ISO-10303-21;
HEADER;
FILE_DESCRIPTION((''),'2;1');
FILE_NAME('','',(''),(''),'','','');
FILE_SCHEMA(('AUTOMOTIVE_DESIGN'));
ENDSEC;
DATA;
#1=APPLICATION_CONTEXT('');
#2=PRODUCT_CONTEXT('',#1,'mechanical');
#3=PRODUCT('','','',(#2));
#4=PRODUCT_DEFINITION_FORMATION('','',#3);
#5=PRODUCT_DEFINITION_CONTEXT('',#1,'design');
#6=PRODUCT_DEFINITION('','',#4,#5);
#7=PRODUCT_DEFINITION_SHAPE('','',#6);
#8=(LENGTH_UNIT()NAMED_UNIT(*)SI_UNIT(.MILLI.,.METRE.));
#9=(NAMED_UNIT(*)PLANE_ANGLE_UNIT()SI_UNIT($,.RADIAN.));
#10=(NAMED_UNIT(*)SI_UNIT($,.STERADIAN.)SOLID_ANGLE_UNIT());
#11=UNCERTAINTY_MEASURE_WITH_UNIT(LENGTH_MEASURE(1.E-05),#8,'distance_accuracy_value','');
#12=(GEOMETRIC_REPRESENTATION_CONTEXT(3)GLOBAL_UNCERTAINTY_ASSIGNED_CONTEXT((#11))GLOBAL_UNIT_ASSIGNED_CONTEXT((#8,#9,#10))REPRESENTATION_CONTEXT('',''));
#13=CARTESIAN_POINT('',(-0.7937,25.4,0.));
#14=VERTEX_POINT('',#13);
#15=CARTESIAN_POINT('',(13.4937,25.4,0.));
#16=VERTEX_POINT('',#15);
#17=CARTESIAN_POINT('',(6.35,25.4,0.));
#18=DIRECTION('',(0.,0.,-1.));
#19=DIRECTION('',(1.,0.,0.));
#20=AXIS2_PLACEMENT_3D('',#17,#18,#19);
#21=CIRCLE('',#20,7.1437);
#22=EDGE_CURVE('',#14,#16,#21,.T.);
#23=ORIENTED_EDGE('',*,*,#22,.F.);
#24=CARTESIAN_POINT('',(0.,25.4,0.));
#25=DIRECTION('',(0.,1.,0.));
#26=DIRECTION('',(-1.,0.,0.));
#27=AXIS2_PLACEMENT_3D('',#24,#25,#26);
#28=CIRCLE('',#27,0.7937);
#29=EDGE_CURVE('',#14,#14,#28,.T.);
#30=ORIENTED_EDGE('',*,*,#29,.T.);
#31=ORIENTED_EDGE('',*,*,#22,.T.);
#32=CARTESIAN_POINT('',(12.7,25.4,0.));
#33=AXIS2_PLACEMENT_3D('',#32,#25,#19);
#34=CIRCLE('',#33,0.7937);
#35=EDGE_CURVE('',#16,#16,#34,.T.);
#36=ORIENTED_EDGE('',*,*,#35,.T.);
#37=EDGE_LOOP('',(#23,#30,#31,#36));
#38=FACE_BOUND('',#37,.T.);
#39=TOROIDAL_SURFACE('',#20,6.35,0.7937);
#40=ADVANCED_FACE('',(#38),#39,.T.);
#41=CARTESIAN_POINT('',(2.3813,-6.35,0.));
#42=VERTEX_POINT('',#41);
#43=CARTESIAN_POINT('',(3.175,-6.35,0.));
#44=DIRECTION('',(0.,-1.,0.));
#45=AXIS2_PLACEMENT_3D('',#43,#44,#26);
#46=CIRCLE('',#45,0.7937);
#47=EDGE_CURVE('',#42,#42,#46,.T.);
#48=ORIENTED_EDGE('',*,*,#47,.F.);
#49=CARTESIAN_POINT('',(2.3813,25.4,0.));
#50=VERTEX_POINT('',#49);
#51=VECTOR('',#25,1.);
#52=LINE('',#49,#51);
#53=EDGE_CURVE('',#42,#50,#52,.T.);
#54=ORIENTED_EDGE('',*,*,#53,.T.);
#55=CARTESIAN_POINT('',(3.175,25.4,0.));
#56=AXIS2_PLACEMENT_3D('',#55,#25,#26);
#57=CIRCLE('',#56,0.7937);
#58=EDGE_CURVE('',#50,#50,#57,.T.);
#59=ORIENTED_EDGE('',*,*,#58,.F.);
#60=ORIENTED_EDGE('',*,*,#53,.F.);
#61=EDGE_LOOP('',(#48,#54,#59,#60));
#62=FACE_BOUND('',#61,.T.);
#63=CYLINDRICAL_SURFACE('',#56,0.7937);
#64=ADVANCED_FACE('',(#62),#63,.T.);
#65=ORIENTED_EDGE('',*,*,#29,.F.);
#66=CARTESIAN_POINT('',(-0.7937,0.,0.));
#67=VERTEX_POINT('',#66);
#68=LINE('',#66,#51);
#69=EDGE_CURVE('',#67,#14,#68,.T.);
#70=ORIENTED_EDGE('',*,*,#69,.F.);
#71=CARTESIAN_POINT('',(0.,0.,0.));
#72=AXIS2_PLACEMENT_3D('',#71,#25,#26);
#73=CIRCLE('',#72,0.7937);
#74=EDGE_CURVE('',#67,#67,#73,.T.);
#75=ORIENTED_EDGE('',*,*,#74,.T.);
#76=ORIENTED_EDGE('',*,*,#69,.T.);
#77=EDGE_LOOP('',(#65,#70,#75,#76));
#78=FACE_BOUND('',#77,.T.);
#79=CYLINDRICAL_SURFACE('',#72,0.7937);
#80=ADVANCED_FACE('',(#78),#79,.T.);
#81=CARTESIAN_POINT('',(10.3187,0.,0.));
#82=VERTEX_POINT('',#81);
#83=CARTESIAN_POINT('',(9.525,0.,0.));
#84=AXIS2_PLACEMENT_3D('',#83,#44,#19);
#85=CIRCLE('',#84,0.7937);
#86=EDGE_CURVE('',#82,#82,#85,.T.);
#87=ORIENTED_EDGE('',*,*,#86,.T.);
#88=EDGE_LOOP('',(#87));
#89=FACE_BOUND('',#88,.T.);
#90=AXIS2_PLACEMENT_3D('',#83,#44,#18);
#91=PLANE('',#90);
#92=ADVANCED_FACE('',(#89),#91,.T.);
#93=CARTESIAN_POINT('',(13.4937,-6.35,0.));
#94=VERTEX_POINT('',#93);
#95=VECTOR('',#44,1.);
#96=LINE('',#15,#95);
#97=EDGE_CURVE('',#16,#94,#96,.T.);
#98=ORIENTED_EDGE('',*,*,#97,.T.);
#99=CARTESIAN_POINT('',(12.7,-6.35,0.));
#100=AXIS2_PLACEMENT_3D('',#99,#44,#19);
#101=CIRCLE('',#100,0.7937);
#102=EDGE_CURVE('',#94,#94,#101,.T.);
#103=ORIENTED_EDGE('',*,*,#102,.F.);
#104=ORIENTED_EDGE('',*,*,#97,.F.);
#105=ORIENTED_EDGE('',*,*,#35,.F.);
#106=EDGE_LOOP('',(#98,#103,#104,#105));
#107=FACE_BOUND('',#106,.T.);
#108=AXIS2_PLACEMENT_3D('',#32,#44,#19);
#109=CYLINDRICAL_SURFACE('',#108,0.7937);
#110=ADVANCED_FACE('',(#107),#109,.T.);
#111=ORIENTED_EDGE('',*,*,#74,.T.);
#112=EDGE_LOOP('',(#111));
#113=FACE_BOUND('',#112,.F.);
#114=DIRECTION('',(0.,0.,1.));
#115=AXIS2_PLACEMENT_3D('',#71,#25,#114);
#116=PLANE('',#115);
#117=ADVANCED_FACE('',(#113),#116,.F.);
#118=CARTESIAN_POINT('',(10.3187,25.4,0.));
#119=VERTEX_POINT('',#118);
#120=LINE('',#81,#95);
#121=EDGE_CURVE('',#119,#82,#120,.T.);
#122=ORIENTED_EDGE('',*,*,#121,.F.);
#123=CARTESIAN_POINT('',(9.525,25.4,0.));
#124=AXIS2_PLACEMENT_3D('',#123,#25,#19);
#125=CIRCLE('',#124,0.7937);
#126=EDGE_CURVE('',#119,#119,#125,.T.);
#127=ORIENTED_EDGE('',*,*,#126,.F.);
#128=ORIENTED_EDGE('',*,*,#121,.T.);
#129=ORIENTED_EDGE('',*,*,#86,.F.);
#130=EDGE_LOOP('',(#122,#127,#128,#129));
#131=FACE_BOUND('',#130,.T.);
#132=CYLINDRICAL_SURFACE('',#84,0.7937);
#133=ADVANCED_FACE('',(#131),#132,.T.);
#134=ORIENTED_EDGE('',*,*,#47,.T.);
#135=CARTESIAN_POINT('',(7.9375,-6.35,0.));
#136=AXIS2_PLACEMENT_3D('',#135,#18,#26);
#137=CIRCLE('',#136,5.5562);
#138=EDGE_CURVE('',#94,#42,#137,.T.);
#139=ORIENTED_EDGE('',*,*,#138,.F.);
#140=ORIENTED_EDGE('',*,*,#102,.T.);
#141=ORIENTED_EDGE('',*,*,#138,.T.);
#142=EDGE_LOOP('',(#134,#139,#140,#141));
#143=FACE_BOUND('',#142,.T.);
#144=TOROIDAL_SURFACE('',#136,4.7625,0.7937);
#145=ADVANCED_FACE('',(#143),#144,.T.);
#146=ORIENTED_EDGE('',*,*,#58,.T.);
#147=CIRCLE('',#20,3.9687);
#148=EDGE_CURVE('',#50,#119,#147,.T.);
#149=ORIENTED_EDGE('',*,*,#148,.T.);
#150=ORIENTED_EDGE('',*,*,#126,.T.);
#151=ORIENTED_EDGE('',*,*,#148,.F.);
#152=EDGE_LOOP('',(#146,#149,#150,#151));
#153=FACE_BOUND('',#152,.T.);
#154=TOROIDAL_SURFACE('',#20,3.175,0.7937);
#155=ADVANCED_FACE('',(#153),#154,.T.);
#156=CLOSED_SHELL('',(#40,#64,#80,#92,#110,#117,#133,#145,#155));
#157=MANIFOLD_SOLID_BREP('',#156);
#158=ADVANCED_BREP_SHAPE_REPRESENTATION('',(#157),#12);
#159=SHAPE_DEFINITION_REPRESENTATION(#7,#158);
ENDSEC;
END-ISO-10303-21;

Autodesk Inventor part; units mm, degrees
ref_plane "YZ Plane" through (0, 0, 0) normal (1, 0, 0) x (0, 1, 0)
ref_plane "XZ Plane" through (0, 0, 0) normal (0, 1, 0) x (-1, 0, 0)
sketch "Sketch1" plane through (0, 0, 0) normal (0, 0, 1) x (1, 0, 0)
  line L0 (0, 0) -> (0, 25.4)
  line L1 (3.175, 25.4) -> (3.175, -6.35)
  line L2 (9.525, 0) -> (9.525, 25.4)
  line L3 (12.7, 25.4) -> (12.7, -6.35)
  arc A0 (9.525, 25.4) -> (3.175, 25.4) centre (6.35, 25.4) ccw
  arc A1 (12.7, 25.4) -> (0, 25.4) centre (6.35, 25.4) ccw
  arc A2 (3.175, -6.35) -> (12.7, -6.35) centre (7.9375, -6.35) ccw
  dimension "d0" = 25.4
  dimension "d1" = 31.75
  dimension "d2" = 3.175
  dimension "d3" = 6.35
  dimension "d4" = 3.175
ref_plane "Work Plane1" through (0, 0, 0) normal (0, 1, 0) x (-1, 0, 0)
sketch "Sketch2" plane through (0, 0, 0) normal (0, 1, 0) x (-1, 0, 0)
  circle A0 centre (0, 0) radius 0.7937
  dimension "d5" = 1.5875
sweep "Sweep1" add profiles "Sketch2" path "Sketch1"
properties part number "arthurWeiActivity 5.5a paperclip"
